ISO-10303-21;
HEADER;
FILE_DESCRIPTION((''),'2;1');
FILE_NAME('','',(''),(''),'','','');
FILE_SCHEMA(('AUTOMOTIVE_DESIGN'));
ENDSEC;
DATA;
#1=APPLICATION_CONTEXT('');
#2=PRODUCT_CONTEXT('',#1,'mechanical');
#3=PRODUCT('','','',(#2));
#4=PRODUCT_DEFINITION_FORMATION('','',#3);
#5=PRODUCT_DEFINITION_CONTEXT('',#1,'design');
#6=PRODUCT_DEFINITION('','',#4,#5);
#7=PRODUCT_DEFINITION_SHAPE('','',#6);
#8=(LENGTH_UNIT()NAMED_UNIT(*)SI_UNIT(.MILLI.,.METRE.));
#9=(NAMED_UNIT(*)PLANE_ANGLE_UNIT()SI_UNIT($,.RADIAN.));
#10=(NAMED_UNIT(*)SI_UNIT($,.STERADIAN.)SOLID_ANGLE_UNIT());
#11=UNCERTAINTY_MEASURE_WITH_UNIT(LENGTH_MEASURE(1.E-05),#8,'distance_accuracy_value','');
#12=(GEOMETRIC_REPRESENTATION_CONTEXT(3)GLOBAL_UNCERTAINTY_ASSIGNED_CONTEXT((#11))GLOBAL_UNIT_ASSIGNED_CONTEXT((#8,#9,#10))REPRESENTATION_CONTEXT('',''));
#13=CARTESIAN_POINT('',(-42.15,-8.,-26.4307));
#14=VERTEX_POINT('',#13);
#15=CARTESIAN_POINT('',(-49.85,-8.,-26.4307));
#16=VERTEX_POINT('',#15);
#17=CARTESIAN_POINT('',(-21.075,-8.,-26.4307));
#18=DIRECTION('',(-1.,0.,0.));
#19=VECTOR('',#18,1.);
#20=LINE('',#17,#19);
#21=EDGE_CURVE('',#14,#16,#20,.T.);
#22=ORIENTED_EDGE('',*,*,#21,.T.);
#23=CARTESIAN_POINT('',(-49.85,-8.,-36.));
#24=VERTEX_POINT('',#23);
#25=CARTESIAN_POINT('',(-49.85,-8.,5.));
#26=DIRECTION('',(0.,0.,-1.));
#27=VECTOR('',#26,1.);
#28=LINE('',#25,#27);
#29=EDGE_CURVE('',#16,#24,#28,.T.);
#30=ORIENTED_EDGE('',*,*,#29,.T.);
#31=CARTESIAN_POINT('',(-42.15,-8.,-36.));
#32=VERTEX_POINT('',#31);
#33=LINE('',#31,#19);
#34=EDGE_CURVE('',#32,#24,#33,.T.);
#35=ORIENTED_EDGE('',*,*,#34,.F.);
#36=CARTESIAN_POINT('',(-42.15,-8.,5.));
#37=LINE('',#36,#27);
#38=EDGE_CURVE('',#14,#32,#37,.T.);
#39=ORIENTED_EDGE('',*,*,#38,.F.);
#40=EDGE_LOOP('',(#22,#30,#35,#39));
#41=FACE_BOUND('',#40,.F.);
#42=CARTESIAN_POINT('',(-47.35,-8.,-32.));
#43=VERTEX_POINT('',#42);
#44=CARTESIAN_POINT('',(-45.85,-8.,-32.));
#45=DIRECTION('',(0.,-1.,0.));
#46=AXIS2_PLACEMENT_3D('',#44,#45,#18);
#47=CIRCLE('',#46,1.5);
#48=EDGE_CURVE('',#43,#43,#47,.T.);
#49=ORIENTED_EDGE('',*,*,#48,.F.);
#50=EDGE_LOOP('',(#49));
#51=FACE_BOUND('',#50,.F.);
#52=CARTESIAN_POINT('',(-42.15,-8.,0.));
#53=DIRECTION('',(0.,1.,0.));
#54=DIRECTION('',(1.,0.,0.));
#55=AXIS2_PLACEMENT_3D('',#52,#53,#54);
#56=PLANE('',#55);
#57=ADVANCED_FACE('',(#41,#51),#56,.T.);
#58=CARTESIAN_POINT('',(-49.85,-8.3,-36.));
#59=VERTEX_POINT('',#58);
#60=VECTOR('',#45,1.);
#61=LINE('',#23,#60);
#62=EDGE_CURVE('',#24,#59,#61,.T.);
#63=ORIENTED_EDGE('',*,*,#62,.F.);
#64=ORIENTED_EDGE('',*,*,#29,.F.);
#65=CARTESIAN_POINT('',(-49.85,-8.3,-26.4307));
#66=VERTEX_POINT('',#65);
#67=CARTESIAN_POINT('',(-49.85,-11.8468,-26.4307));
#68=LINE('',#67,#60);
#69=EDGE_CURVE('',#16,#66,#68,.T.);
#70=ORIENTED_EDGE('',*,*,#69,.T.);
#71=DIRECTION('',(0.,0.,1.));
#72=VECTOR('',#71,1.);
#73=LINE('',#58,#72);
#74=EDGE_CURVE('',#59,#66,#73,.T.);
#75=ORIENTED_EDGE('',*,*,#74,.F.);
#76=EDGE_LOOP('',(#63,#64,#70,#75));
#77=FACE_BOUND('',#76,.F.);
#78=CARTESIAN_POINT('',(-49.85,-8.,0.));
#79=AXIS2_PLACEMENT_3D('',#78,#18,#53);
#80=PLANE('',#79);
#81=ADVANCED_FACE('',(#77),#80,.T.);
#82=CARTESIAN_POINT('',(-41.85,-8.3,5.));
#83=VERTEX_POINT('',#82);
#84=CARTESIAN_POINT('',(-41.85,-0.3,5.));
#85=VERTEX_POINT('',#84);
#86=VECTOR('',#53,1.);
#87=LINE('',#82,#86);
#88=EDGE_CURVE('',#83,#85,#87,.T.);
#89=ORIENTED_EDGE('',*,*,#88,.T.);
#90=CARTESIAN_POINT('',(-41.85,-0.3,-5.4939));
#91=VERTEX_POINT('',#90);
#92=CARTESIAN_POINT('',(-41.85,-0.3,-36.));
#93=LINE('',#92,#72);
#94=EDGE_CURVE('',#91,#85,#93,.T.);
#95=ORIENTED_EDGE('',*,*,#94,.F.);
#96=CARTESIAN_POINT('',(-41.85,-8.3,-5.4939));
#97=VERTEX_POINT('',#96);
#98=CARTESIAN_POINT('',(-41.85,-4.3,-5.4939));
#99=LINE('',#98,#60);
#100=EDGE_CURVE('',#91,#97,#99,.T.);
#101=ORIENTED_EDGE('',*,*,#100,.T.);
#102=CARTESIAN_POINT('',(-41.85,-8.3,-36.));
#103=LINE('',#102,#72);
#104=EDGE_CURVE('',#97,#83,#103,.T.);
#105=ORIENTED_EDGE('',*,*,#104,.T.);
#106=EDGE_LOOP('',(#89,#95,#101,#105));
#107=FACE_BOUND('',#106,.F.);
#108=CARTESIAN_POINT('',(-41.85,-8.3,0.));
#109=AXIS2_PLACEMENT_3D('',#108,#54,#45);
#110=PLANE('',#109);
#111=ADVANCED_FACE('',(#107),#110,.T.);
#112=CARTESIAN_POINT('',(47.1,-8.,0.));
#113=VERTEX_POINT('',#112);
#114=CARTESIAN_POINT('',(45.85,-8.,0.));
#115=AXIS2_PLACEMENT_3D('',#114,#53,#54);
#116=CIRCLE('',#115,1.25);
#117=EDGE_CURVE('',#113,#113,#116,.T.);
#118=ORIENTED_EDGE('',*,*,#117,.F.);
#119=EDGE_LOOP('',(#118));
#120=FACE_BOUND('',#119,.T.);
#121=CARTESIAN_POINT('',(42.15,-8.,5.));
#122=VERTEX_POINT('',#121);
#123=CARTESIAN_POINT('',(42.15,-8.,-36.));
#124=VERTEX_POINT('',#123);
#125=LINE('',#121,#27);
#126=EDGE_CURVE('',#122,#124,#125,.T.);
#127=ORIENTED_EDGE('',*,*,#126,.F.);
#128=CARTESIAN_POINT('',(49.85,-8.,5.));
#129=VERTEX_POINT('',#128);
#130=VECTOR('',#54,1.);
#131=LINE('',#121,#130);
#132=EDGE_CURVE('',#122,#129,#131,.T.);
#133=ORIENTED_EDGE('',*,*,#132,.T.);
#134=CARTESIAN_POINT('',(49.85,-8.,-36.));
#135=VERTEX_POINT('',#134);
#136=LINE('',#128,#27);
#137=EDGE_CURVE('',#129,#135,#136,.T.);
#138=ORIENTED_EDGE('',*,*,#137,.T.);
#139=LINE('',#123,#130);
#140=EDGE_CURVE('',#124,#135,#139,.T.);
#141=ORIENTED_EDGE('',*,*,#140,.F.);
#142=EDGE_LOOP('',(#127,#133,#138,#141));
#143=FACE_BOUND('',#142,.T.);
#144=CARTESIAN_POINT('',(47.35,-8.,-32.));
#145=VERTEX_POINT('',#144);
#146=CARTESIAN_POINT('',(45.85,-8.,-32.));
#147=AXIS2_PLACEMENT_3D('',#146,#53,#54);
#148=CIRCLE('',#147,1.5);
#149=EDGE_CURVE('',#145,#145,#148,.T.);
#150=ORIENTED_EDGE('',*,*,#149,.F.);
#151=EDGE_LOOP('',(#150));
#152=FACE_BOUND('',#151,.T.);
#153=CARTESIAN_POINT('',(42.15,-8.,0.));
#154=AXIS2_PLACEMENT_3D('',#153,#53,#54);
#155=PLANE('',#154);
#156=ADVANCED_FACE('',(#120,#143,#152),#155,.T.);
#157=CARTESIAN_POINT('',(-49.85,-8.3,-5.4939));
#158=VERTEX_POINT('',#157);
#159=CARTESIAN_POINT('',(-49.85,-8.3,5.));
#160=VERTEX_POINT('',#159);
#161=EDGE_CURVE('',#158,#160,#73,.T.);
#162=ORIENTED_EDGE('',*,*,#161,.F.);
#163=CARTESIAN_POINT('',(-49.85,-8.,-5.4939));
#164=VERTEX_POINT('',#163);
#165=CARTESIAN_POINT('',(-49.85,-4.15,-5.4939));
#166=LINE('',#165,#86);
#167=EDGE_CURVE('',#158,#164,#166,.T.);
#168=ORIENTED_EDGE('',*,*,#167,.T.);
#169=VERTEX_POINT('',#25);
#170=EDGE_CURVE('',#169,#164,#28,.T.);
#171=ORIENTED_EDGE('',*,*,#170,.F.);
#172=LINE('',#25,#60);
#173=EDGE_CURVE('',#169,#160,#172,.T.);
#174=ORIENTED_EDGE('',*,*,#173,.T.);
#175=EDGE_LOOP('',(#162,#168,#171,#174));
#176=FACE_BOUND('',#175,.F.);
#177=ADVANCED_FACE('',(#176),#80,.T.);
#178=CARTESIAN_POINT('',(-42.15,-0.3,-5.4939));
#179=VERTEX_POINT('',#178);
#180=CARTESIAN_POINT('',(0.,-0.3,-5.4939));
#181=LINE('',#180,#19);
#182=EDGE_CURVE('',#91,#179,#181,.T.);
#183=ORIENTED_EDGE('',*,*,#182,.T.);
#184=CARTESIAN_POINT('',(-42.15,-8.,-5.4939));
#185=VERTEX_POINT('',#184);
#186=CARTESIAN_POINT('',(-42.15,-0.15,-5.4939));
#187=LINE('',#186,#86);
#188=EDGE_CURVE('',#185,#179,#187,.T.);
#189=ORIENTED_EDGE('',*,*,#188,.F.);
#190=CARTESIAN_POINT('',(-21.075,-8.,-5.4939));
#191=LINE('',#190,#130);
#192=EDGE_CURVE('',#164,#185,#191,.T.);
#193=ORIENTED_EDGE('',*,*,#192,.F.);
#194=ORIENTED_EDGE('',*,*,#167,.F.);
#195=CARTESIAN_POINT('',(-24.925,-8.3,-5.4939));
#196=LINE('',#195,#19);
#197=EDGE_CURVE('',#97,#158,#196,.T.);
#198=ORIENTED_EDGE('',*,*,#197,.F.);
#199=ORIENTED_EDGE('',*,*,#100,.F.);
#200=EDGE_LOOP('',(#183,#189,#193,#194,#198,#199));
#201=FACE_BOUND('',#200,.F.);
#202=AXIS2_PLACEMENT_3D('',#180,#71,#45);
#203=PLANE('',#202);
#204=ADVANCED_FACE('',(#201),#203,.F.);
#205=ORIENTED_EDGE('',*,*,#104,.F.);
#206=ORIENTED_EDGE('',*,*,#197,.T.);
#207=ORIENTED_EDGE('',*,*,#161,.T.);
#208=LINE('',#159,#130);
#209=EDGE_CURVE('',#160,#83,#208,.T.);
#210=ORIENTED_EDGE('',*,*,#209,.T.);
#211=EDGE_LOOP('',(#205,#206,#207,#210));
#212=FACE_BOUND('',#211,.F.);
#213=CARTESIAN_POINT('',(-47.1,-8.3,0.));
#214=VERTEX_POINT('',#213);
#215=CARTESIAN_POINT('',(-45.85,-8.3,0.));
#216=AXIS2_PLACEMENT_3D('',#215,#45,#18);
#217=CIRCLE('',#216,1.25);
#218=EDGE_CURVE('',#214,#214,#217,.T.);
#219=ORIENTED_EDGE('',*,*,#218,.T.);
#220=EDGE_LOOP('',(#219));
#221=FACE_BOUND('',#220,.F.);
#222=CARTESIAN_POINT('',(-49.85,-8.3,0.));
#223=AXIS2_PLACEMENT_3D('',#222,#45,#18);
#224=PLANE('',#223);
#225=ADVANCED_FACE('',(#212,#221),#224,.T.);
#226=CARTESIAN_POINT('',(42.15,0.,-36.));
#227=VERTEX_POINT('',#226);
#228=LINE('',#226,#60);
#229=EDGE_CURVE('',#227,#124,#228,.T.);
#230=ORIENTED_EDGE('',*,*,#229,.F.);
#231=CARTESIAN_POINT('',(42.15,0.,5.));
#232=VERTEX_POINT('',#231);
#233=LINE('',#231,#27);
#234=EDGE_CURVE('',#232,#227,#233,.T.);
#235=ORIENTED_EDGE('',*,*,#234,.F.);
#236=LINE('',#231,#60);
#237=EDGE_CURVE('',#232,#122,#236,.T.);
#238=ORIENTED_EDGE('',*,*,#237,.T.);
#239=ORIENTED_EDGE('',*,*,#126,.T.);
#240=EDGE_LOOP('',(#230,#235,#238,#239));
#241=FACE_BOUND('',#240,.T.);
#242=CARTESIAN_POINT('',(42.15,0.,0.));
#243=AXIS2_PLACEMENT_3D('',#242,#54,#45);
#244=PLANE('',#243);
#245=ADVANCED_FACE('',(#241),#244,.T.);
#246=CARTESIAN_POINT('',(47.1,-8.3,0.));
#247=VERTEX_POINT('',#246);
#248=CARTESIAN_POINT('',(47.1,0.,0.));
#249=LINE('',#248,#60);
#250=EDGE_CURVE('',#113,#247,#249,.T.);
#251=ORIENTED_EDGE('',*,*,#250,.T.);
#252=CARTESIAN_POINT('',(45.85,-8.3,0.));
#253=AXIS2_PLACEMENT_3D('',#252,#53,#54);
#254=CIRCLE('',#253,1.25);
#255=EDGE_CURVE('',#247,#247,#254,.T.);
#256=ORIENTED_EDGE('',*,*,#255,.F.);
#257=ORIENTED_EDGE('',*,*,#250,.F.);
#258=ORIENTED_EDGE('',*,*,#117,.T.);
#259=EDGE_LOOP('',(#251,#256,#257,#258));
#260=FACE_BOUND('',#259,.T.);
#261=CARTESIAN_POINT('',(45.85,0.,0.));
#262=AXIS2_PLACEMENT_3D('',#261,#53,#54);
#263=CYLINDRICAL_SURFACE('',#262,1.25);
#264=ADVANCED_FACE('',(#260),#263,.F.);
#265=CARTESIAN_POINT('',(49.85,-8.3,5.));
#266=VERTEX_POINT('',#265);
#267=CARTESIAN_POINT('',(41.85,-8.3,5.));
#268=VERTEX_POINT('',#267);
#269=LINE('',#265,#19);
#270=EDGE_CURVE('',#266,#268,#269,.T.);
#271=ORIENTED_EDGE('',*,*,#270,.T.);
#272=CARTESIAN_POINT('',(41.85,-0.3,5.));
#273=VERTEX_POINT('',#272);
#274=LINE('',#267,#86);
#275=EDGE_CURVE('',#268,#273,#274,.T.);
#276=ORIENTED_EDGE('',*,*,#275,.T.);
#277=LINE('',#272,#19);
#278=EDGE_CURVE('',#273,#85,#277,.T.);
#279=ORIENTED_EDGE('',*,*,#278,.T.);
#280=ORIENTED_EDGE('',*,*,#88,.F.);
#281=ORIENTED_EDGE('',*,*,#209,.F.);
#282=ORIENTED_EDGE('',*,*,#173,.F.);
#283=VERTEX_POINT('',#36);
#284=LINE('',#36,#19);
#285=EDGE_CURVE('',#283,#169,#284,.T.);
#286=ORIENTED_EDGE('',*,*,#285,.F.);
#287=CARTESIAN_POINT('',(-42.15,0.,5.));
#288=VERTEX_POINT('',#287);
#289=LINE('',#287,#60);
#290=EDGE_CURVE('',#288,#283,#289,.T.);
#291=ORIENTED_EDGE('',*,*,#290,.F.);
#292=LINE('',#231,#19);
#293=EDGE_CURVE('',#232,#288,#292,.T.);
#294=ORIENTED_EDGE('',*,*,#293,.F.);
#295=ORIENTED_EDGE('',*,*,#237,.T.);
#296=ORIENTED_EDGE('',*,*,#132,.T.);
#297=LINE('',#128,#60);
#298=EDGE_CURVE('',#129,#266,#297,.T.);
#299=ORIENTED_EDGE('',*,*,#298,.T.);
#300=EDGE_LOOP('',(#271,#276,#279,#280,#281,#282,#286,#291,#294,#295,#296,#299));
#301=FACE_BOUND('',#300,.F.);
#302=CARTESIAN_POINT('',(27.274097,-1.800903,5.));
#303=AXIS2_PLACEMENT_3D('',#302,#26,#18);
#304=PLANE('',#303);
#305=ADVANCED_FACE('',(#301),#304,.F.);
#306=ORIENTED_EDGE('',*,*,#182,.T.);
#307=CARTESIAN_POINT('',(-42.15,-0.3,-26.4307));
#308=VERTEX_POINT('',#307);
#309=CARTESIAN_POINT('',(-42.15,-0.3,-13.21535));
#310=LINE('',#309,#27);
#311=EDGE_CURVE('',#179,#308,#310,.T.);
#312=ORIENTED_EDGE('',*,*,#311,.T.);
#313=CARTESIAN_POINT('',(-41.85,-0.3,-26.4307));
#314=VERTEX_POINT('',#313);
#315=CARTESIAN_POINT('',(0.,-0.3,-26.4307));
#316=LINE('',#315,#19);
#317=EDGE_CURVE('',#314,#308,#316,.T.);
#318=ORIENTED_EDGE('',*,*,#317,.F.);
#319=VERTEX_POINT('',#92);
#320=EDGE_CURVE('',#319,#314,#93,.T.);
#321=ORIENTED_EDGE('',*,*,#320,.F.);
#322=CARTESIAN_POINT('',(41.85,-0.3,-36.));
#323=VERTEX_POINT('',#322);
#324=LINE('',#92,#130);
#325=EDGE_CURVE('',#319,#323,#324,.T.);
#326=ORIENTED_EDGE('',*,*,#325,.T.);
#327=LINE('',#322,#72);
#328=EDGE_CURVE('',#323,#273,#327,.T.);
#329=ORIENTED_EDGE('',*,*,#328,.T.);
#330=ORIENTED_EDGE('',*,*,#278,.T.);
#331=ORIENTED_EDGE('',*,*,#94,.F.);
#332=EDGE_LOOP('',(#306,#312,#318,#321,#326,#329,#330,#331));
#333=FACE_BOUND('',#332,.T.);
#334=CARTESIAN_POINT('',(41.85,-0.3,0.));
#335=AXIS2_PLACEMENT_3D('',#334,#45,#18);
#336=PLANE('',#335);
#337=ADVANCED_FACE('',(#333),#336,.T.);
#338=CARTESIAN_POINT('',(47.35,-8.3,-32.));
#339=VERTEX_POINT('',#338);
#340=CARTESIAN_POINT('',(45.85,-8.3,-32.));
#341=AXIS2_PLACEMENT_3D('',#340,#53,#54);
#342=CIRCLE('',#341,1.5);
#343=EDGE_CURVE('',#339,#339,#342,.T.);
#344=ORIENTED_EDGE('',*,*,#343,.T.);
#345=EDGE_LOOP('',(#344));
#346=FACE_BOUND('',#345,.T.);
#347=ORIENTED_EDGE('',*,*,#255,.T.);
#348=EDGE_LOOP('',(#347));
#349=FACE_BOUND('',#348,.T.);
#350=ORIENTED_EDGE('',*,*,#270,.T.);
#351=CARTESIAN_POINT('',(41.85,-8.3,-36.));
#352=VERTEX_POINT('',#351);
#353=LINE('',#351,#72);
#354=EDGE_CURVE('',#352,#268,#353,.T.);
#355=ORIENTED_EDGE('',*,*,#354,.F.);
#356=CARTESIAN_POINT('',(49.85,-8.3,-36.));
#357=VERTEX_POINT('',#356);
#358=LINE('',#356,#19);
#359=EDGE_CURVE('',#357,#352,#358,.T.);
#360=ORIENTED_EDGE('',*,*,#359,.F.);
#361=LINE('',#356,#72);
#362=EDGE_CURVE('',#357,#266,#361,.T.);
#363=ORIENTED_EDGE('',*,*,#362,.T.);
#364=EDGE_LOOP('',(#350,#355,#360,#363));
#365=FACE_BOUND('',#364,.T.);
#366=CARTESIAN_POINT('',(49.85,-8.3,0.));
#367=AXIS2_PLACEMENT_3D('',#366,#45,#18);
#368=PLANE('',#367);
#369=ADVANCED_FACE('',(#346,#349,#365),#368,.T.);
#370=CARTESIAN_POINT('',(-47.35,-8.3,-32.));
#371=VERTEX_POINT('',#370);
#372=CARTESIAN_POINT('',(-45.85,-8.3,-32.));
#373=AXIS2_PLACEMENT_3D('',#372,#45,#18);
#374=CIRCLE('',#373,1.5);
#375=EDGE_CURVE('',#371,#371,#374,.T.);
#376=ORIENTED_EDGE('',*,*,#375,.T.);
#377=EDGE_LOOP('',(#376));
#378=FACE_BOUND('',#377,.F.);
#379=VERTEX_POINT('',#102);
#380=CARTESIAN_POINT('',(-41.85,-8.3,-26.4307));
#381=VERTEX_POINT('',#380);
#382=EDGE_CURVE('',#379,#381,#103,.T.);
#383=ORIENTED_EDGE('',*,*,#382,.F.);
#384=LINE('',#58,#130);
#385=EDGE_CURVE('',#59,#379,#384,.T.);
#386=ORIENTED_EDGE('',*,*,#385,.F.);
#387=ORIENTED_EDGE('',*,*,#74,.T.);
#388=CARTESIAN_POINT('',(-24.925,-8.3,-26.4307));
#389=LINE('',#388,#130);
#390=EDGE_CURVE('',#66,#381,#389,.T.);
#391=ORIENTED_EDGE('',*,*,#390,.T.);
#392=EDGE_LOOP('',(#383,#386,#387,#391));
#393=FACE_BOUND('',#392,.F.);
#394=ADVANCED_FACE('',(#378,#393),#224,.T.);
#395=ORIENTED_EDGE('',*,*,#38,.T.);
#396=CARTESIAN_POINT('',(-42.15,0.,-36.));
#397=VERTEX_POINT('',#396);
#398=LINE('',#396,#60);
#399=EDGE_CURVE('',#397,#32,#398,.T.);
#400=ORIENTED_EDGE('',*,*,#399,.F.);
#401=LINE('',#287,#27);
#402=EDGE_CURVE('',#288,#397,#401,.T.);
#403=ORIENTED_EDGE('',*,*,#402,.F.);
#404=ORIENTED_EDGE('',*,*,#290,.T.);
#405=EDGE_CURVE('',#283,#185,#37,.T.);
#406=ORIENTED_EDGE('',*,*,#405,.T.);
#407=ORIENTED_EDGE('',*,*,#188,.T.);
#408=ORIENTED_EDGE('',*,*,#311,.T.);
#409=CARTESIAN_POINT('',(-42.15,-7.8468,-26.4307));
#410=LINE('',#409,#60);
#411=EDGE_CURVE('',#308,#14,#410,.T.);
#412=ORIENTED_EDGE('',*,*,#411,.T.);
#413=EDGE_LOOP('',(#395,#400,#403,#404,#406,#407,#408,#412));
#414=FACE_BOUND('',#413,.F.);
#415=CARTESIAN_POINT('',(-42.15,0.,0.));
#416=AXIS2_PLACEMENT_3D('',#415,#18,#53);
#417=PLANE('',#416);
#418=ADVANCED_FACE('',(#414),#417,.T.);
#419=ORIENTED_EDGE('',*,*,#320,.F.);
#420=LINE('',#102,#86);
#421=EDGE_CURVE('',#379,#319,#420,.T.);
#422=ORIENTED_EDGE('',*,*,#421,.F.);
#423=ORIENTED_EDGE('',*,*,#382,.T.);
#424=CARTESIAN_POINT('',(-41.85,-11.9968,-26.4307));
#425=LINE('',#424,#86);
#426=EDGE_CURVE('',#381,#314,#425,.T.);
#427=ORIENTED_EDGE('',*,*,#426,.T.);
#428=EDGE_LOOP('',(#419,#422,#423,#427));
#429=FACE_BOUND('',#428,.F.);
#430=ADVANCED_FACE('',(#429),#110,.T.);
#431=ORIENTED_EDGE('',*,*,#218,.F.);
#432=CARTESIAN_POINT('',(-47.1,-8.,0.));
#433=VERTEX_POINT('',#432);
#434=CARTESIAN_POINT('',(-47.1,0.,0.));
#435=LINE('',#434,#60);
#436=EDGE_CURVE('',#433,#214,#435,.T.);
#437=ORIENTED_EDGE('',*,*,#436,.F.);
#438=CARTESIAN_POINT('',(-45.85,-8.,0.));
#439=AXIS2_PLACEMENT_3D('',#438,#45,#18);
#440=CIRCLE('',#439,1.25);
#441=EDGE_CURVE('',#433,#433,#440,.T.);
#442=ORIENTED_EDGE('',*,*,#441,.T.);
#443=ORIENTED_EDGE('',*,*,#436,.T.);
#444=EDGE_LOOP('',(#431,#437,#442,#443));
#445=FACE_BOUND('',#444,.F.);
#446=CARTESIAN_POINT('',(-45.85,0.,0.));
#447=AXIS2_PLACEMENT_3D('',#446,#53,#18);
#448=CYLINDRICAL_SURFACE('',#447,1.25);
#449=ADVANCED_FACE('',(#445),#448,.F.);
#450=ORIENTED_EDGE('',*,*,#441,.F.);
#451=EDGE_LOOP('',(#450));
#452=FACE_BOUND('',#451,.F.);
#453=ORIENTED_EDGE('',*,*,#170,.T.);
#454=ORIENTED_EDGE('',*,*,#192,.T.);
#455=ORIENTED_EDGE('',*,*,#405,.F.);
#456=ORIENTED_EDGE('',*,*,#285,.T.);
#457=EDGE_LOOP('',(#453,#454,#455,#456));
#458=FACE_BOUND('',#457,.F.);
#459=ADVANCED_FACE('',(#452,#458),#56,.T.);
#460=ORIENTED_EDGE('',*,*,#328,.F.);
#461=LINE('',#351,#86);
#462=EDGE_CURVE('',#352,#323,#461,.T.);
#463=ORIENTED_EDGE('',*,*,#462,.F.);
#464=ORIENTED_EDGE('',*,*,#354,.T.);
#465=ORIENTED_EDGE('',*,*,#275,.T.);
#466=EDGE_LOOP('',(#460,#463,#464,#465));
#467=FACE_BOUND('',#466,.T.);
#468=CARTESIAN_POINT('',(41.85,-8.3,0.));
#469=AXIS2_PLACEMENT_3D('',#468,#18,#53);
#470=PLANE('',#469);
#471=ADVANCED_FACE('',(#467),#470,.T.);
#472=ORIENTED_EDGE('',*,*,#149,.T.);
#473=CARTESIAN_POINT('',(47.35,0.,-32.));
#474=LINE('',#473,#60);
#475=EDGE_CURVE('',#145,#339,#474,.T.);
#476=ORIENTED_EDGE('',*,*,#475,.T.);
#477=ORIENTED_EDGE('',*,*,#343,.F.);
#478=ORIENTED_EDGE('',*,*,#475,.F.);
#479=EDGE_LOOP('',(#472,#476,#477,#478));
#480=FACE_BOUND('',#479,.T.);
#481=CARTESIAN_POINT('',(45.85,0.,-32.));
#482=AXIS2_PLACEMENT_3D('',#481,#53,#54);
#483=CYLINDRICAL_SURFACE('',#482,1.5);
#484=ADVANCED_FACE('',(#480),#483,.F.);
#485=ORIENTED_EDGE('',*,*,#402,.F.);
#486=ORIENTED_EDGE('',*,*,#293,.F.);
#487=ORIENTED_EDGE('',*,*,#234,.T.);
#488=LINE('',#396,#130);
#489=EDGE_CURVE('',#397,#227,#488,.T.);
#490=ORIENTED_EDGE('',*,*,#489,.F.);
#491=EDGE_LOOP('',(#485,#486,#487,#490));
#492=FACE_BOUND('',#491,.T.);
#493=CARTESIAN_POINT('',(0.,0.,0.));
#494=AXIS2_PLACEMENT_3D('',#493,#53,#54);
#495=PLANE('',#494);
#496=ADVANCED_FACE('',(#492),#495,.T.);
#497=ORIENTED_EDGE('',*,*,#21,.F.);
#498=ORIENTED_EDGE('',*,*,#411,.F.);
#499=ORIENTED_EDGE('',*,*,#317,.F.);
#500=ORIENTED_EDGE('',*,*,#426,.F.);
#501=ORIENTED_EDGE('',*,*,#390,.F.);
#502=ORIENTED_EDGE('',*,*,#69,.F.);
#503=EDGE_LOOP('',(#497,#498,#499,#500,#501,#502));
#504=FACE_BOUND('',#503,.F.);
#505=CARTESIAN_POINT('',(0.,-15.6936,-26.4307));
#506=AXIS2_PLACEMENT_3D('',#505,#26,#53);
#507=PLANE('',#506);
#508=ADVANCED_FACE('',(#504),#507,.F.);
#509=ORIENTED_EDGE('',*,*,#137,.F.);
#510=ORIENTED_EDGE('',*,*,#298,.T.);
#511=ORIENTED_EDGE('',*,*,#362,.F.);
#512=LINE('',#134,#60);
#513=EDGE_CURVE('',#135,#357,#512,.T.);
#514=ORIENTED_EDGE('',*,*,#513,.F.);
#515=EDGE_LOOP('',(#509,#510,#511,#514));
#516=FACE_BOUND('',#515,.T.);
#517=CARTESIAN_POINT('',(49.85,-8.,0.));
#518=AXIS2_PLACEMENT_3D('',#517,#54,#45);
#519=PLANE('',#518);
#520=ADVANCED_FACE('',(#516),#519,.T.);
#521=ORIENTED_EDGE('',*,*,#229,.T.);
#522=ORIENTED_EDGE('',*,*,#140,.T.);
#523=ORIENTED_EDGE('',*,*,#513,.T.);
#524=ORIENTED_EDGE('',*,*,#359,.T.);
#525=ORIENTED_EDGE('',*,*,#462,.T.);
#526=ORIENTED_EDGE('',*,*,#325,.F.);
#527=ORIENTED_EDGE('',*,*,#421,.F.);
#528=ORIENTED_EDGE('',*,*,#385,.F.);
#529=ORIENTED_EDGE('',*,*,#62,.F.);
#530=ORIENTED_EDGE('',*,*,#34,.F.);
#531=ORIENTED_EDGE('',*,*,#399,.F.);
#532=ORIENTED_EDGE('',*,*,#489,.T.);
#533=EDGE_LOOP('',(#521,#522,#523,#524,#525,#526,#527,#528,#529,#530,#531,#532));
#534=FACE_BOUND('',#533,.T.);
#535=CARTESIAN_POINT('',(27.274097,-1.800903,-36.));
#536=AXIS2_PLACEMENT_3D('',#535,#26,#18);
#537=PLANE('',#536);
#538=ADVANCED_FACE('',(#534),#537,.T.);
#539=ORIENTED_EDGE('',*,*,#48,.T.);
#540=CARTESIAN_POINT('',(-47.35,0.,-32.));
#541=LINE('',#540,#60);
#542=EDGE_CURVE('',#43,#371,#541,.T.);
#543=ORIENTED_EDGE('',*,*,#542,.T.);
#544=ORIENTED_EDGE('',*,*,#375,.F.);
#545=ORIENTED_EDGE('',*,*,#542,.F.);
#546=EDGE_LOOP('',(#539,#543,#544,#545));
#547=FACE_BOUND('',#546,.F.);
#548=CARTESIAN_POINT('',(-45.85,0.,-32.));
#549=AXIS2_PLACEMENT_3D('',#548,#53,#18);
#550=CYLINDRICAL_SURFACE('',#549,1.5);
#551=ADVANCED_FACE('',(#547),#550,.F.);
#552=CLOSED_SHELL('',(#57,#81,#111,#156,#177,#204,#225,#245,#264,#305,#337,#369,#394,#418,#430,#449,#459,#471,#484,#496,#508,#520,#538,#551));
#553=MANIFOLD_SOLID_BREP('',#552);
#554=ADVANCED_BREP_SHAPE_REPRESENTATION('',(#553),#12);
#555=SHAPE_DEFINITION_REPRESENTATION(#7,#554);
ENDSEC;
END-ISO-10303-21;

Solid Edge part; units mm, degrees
sketch "Sketch1" plane through (0, 0, 0) normal (0, 0, 1) x (1, 0, 0)
  line L0 (41.85, -0.3) -> (0, -0.3)
  line L1 (0, -0.3) -> (0, 0)
  line L2 (0, 0) -> (42.15, 0)
  line L3 (42.15, 0) -> (42.15, -8)
  line L4 (42.15, -8) -> (49.85, -8)
  line L5 (49.85, -8) -> (49.85, -8.3)
  line L6 (49.85, -8.3) -> (41.85, -8.3)
  line L7 (41.85, -8.3) -> (41.85, -0.3)
extrude "ExtrudedProtrusion_1" add sketch "Sketch1" along normal blind 5 and the other way blind 36
sketch "Sketch2" plane through (0, 0, 0) normal (0, -1, 0) x (1, 0, 0)
  circle A0 centre (45.85, 0) radius 1.25
  circle A1 centre (45.85, -32) radius 1.5
  dimension "D1" = 2.5
  dimension "D2" = 32
extrude "Cutout1" cut sketch "Sketch2" along normal up to next
mirror "Mirror1" about plane through (0, 0, 0) normal (1, 0, 0) of "ExtrudedProtrusion_1", "Cutout1"
sketch "Sketch3" plane through (0, 0, 0) normal (1, 0, 0) x (0, 1, 0)
  line L0 (-15.6936, -26.4307) -> (-0.3, -26.4307)
  line L1 (-0.3, -26.4307) -> (-0.3, -5.4939)
  line L2 (-0.3, -5.4939) -> (-15.6936, -5.4939)
  line L3 (-15.6936, -5.4939) -> (-15.6936, -26.4307)
extrude "Cutout2" cut sketch "Sketch3" against normal up to next
